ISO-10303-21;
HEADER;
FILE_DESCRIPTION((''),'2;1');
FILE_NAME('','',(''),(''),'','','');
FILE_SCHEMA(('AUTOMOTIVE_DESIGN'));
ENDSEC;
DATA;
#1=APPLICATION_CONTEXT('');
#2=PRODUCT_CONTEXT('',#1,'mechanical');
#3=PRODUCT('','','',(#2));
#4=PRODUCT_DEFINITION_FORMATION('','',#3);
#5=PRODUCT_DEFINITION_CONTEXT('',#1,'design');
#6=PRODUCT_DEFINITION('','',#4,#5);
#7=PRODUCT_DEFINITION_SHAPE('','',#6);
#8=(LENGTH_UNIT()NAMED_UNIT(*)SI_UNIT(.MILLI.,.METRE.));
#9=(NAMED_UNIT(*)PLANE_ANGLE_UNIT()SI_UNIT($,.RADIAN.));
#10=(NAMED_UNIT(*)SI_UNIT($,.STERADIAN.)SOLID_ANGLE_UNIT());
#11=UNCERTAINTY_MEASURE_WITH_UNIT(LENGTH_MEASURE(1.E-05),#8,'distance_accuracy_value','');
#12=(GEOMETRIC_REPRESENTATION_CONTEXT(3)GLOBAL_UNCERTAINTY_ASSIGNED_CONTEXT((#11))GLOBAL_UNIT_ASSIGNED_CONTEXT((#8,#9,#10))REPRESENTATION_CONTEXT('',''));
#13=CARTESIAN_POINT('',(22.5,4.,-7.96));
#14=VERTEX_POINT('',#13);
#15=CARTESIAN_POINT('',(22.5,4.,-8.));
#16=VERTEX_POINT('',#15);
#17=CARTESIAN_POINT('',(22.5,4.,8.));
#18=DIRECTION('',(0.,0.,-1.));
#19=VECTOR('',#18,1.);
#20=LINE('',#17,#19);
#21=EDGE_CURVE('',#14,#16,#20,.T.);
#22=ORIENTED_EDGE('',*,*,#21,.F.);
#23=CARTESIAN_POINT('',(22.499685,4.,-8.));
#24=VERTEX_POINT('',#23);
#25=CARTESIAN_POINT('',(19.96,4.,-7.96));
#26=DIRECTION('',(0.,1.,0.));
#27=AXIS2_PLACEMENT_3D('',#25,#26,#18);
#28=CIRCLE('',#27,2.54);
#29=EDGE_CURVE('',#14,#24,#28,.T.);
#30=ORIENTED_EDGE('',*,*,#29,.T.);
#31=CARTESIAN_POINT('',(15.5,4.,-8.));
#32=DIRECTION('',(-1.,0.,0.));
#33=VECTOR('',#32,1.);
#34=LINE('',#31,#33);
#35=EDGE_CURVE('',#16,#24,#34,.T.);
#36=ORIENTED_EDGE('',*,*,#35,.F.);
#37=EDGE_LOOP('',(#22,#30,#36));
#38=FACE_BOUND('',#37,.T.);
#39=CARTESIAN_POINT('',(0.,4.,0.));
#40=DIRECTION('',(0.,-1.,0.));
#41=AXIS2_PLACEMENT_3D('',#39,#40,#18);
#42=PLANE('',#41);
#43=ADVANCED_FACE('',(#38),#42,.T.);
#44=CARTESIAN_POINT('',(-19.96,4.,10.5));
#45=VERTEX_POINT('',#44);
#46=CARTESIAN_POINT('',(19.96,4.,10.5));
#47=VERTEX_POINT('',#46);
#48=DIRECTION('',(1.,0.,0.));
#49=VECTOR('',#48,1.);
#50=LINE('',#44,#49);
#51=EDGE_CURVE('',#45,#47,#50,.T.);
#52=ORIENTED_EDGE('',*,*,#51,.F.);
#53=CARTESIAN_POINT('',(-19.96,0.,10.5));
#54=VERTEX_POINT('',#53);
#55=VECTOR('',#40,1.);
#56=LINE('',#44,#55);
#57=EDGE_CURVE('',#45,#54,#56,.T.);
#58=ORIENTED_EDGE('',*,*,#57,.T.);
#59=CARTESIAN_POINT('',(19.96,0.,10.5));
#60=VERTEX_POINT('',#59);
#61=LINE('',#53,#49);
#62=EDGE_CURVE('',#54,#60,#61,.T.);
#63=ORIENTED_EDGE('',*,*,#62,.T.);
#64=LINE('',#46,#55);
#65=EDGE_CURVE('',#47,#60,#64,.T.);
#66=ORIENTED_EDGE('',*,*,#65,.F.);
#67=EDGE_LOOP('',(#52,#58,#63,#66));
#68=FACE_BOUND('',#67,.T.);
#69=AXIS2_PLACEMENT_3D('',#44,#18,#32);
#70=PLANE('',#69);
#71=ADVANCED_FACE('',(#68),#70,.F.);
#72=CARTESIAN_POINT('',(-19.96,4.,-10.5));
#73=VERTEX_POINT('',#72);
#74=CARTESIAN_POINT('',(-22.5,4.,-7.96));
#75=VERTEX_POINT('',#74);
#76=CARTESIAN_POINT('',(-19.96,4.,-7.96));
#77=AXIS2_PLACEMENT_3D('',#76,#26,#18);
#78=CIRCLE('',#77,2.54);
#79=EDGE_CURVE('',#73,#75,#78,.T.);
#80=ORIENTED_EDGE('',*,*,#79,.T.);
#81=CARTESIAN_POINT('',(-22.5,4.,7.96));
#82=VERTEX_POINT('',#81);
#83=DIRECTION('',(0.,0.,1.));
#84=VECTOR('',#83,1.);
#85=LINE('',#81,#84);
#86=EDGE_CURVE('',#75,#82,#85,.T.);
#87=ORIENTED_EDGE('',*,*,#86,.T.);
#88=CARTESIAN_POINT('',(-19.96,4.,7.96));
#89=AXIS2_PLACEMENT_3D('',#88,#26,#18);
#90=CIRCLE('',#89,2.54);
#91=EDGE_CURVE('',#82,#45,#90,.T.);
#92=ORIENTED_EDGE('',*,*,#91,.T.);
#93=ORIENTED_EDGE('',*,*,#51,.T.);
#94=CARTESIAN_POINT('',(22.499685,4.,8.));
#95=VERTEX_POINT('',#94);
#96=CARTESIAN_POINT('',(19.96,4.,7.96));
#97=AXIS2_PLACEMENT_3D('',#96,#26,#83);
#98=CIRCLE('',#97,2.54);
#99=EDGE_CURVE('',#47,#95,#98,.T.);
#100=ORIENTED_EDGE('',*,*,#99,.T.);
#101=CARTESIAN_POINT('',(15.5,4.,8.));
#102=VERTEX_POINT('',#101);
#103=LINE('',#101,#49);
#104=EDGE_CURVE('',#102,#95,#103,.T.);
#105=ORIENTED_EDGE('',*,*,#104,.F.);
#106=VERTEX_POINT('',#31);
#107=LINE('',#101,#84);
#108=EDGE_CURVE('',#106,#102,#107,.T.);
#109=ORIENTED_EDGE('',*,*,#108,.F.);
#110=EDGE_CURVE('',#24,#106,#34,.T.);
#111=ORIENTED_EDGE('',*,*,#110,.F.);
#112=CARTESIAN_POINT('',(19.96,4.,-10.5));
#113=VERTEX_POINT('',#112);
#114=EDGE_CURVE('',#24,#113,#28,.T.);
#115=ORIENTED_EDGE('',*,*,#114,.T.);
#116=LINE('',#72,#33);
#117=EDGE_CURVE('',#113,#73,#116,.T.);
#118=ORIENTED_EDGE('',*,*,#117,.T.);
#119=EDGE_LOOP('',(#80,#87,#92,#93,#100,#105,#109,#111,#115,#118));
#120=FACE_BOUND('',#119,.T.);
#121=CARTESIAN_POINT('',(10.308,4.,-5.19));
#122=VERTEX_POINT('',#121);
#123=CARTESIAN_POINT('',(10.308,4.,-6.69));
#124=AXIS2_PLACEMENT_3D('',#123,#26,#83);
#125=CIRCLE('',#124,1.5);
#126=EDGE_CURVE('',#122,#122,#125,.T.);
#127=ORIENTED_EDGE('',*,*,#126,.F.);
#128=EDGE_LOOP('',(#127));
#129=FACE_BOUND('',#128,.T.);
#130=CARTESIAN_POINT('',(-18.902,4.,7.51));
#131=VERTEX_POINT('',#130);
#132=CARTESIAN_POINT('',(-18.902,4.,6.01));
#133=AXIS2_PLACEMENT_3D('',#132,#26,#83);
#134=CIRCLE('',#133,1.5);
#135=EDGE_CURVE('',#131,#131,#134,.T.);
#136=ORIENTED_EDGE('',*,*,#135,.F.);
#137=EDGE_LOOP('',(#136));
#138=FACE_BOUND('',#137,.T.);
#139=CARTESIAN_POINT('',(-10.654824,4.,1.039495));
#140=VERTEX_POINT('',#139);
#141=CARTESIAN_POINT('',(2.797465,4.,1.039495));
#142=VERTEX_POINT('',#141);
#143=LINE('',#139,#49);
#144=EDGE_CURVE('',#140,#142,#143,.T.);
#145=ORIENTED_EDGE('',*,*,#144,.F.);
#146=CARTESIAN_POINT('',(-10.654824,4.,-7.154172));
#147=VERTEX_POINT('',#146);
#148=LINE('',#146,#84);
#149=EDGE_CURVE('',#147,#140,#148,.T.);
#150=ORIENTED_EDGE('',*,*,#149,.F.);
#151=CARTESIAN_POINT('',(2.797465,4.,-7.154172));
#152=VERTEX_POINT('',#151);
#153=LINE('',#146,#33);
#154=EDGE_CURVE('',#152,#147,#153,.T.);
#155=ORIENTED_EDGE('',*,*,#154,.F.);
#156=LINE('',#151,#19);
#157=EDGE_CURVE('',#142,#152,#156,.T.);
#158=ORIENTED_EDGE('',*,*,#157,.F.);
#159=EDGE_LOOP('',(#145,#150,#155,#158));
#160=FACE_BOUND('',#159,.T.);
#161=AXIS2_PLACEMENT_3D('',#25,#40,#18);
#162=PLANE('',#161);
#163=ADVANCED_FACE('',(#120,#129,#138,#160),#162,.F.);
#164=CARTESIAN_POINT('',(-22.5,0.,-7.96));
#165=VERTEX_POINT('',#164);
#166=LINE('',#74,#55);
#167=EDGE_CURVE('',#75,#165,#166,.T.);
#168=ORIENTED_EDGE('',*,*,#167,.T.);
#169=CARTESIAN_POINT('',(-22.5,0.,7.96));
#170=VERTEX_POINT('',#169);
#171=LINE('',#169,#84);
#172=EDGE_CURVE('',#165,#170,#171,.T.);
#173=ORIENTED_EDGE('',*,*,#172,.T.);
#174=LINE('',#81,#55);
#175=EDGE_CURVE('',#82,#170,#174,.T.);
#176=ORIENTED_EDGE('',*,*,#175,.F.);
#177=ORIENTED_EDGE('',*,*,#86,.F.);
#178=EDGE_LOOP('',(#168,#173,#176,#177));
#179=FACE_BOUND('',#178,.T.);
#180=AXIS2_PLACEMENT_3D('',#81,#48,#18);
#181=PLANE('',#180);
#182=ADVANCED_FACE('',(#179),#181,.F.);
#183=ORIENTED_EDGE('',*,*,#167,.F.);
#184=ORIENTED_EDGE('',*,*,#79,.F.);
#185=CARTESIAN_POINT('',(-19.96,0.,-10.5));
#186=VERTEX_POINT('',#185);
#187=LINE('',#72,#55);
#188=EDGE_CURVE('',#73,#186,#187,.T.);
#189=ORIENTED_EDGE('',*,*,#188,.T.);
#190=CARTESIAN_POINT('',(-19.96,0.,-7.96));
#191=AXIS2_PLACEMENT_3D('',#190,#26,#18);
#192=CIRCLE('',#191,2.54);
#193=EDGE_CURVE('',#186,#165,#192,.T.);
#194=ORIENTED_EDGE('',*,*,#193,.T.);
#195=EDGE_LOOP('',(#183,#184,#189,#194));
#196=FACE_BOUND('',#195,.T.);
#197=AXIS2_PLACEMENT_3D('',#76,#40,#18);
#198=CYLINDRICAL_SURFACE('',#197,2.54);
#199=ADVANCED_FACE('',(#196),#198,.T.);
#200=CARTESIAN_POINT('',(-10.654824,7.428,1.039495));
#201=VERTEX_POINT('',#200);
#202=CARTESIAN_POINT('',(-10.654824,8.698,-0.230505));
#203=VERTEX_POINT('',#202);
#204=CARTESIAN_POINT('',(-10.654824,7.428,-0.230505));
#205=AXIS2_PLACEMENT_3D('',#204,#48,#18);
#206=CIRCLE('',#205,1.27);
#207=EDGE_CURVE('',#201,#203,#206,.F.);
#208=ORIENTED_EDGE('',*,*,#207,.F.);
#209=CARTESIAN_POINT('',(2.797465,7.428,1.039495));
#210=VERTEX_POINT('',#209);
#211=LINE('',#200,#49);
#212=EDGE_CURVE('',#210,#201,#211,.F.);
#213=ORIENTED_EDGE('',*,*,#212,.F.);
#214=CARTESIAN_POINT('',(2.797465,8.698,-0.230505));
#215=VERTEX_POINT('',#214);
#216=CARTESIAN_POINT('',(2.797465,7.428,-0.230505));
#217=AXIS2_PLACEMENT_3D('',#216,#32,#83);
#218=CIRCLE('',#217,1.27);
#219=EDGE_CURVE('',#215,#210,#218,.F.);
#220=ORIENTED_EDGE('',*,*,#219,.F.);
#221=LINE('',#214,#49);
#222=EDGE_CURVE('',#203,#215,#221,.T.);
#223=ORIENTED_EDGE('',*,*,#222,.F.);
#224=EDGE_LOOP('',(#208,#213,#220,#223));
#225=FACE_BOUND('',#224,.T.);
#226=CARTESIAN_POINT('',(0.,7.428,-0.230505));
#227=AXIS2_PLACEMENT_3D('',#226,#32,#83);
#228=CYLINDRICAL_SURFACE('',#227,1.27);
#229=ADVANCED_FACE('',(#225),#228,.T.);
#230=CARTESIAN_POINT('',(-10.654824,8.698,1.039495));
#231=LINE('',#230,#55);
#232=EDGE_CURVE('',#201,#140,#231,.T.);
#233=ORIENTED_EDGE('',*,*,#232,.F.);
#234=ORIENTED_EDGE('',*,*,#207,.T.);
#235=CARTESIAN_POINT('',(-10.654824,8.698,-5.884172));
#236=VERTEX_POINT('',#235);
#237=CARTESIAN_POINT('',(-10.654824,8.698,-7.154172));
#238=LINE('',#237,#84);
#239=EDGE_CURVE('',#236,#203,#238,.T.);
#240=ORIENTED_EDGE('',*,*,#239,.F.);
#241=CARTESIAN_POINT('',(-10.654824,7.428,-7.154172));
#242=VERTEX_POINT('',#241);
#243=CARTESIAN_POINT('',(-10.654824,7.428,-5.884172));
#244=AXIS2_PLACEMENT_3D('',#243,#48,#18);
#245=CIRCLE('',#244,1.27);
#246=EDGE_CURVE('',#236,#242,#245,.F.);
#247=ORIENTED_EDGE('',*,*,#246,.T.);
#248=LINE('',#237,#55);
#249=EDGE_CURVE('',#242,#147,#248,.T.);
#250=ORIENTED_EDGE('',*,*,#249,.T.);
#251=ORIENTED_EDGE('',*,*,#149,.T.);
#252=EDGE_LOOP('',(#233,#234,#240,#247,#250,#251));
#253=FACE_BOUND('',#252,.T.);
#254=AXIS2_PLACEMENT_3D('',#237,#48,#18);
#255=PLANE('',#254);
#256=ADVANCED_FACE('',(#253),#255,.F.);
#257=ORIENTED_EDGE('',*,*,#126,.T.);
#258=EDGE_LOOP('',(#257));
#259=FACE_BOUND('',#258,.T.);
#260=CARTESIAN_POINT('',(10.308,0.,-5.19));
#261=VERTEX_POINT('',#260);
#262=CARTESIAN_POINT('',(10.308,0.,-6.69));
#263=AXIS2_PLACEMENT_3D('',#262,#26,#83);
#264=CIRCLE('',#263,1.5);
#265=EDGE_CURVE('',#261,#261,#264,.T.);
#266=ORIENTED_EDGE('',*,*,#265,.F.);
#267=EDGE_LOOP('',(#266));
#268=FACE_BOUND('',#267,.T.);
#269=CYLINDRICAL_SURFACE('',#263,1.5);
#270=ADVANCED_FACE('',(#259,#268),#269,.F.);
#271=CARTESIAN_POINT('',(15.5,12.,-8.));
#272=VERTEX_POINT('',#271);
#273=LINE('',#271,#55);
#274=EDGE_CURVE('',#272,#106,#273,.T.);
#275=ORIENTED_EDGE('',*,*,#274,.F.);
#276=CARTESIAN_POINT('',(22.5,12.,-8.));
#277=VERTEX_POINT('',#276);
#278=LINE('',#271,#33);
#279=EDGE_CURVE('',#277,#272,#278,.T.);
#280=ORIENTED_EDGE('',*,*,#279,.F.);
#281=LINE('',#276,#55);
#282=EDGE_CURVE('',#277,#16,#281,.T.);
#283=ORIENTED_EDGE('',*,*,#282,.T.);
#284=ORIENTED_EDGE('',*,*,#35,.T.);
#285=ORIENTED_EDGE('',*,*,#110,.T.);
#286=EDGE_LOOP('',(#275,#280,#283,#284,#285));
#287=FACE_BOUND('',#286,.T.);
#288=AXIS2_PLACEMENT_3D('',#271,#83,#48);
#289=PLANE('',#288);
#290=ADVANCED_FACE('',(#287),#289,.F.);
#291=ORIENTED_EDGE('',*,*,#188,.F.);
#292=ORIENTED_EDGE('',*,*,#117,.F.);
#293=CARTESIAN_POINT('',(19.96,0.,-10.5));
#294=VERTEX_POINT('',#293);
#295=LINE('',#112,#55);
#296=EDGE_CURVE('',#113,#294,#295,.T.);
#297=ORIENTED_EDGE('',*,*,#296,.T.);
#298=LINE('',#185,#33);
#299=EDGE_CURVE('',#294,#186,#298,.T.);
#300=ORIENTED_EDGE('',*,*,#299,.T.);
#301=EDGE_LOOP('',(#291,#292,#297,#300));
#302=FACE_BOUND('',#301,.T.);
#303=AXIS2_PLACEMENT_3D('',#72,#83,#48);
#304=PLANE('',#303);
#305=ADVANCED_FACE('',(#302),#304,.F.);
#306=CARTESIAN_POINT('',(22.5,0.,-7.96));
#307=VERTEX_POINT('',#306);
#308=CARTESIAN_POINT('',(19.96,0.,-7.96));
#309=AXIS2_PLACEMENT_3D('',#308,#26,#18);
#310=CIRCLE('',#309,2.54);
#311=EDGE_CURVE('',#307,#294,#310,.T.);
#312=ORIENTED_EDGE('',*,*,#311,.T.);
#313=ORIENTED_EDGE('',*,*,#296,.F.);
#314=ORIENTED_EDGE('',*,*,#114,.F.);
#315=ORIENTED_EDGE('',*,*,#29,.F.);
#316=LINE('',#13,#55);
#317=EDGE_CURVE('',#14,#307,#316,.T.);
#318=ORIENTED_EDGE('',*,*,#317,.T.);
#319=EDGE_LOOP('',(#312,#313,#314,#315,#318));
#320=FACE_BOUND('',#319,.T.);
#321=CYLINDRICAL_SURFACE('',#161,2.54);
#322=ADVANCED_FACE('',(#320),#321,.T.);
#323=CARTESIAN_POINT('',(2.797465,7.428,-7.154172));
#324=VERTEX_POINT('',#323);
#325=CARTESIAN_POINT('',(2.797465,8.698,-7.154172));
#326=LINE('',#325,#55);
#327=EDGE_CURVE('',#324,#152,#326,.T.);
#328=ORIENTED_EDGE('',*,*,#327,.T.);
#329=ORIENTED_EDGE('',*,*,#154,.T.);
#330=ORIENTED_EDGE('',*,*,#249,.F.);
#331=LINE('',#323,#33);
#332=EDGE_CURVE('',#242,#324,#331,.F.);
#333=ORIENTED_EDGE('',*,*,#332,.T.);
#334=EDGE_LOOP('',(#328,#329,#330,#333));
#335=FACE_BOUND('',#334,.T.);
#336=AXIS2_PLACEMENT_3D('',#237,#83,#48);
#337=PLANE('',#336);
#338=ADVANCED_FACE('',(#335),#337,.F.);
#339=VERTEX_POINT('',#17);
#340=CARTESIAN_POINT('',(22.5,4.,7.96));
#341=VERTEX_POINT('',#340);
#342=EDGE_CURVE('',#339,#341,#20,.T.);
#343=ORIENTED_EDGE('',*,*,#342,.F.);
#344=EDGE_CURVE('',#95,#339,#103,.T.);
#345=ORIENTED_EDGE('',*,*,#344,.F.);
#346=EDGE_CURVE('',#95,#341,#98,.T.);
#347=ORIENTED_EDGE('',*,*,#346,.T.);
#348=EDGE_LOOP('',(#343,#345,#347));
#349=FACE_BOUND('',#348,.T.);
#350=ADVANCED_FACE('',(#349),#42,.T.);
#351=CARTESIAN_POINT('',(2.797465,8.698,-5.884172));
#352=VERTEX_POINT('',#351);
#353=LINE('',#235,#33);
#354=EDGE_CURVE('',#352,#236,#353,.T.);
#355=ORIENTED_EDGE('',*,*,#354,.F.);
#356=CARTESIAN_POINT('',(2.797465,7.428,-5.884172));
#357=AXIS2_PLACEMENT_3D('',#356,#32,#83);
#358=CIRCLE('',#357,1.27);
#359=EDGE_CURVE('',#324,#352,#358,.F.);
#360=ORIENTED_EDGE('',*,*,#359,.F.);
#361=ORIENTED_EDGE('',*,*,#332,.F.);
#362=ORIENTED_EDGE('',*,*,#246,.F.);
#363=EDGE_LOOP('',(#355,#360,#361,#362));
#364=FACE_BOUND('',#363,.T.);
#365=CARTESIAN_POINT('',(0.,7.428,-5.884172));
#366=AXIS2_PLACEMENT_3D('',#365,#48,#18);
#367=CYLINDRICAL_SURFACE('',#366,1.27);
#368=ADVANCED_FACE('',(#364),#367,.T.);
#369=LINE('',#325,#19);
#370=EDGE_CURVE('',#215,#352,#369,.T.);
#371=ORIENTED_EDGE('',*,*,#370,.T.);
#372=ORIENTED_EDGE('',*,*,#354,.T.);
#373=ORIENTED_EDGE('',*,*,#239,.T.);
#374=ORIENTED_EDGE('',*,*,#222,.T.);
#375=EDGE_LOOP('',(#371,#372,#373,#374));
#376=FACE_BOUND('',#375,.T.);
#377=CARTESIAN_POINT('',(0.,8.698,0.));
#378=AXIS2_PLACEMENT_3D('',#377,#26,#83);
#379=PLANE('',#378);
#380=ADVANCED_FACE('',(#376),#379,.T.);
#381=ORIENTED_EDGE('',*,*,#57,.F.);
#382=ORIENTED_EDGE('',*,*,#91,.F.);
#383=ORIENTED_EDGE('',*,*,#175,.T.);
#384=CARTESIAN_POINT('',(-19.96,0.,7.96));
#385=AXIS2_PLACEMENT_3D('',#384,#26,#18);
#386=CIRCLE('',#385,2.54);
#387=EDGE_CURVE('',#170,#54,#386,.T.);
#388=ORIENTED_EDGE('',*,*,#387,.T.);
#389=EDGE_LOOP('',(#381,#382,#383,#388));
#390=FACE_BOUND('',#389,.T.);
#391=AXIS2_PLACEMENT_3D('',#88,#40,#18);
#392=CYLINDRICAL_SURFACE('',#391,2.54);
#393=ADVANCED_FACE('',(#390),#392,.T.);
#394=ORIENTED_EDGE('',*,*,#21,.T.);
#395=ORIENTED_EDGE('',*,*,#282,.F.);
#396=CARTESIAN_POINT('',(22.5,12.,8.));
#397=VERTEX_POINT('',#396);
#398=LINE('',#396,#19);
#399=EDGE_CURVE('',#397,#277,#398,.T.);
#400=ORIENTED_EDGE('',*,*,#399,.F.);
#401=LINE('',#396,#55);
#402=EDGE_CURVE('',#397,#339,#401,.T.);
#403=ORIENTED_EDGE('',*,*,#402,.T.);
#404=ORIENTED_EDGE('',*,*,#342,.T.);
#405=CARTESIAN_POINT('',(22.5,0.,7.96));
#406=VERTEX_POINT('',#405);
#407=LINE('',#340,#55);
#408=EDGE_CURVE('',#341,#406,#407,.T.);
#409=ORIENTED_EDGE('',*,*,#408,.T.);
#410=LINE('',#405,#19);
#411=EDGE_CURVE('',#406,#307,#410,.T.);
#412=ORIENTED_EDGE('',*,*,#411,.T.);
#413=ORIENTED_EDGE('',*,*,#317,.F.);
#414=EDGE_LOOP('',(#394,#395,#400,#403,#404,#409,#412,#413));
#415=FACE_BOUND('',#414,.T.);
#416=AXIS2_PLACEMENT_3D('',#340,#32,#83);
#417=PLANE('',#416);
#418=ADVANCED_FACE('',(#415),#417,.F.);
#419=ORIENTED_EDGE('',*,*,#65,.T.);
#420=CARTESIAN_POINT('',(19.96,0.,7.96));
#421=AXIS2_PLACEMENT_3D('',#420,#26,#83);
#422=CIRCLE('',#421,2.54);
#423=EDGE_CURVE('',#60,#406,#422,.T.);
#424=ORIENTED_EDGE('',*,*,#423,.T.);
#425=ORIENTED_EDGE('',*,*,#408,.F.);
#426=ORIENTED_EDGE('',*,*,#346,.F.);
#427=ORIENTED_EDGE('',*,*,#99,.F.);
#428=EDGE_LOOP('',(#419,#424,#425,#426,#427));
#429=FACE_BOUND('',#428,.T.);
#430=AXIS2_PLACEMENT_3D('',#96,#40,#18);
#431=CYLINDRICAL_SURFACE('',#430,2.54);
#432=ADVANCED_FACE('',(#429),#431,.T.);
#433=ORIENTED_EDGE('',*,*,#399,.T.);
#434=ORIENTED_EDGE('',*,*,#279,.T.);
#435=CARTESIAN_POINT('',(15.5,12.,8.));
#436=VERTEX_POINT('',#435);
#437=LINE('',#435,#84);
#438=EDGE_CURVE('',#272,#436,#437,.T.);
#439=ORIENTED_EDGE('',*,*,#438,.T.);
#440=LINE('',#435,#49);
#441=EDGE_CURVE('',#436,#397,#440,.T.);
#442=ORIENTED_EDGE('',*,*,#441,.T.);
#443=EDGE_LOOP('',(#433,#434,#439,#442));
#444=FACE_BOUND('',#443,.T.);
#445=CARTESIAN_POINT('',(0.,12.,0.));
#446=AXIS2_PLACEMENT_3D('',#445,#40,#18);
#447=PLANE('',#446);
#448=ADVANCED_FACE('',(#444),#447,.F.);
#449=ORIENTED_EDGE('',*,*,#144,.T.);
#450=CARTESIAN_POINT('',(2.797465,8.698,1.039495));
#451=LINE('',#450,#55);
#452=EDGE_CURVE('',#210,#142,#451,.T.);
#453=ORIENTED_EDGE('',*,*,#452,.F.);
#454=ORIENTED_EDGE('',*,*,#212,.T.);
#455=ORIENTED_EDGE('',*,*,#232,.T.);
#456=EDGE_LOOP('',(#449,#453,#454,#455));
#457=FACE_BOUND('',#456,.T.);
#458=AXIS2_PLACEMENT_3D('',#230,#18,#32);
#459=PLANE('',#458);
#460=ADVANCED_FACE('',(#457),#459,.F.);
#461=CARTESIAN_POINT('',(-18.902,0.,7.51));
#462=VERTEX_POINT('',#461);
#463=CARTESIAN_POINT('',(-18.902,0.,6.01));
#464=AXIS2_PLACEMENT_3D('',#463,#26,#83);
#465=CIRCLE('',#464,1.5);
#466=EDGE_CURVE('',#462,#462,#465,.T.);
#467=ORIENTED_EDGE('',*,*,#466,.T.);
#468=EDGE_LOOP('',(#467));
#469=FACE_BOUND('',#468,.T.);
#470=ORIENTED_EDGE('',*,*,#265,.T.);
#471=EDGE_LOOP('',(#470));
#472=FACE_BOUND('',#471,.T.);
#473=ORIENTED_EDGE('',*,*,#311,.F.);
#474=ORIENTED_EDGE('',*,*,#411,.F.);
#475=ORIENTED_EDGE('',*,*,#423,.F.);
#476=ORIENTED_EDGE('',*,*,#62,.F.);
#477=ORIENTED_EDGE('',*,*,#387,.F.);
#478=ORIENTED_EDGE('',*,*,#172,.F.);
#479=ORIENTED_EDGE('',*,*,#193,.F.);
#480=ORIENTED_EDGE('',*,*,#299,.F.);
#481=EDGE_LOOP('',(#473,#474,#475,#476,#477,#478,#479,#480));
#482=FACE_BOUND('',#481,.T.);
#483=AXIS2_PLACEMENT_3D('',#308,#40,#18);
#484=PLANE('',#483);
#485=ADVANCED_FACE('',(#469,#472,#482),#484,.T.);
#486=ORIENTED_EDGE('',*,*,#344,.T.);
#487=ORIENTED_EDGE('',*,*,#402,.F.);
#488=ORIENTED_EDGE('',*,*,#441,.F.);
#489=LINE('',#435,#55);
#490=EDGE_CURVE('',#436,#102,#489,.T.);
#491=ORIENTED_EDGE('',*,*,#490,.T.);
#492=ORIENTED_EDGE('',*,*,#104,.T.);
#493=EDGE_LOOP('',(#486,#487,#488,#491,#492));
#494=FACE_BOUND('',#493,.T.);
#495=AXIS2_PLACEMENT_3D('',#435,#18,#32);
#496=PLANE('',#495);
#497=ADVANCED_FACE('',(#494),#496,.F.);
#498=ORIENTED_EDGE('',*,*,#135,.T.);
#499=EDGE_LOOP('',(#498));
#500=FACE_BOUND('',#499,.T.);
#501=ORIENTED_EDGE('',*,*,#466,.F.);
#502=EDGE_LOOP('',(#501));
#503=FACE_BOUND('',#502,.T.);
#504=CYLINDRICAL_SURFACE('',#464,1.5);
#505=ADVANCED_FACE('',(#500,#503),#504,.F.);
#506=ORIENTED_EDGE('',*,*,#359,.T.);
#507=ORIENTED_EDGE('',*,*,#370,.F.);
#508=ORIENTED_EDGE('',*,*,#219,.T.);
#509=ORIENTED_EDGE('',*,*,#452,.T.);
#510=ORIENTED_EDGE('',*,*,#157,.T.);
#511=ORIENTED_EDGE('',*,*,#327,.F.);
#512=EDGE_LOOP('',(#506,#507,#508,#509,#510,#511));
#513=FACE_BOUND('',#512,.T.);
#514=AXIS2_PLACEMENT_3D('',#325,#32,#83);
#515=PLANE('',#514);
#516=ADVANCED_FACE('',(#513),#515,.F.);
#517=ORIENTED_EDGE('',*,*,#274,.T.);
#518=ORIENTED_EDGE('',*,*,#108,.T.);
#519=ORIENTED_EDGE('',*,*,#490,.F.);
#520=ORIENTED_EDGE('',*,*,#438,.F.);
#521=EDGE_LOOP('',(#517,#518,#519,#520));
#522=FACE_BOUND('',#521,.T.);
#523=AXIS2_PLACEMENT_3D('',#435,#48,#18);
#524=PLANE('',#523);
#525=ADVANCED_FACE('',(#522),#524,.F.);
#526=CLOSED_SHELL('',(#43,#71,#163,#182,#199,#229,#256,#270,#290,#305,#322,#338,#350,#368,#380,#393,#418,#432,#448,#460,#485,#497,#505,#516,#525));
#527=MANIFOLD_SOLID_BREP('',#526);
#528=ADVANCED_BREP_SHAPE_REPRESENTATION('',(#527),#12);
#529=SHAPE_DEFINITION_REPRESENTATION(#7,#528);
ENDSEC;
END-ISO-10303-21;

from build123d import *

# Parameters (mm, degrees)
BOSS_EXTRUDE1_DEPTH = 4
SKETCH2_W           = 7
SKETCH2_H           = 16
BOSS_EXTRUDE2_DEPTH = 8
SKETCH3_W           = 13.452288764
SKETCH3_H           = 8.193666793
BOSS_EXTRUDE3_DEPTH = 4.698
FILLET1_R           = 1.27
SKETCH4_R           = 1.5
CUT_EXTRUDE1_DEPTH  = 5


with BuildPart() as part:
    # Sketch1 → Boss-Extrude1 (new body)
    with BuildSketch(Plane(origin=(0, 0, 0), x_dir=(1, 0, 0), z_dir=(0, 1, 0))):
        with BuildLine():
            Line((-19.96, -10.5), (19.96, -10.5))
            ThreePointArc((19.96, -10.5), (21.756051224, -9.756051224), (22.5, -7.96))
            Line((22.5, -7.96), (22.5, 7.96))
            ThreePointArc((22.5, 7.96), (21.756051224, 9.756051224), (19.96, 10.5))
            Line((19.96, 10.5), (-19.96, 10.5))
            ThreePointArc((-19.96, 10.5), (-21.756051224, 9.756051224), (-22.5, 7.96))
            Line((-22.5, 7.96), (-22.5, -7.96))
            ThreePointArc((-22.5, -7.96), (-21.756051224, -9.756051224), (-19.96, -10.5))
        make_face()
    extrude(amount=BOSS_EXTRUDE1_DEPTH)

    # Sketch2 → Boss-Extrude2 (add)
    with BuildSketch(Plane(origin=(0, 4, 0), x_dir=(1, 0, 0), z_dir=(0, 1, 0))):
        with Locations((19, 0)):
            Rectangle(SKETCH2_W, SKETCH2_H)
    extrude(amount=BOSS_EXTRUDE2_DEPTH)

    # Sketch3 → Boss-Extrude3 (add)
    with BuildSketch(Plane(origin=(0, 4, 0), x_dir=(1, 0, 0), z_dir=(0, 1, 0))):
        with Locations((-3.928679787, 3.057338356)):
            Rectangle(SKETCH3_W, SKETCH3_H)
    extrude(amount=BOSS_EXTRUDE3_DEPTH)

    # Fillet1
    fillet1_edges = [part.edges().sort_by_distance(p)[0] for p in [
        (-3.928679787, 8.698, 1.039495041),
        (-3.928679787, 8.698, -7.154171752),
    ]]
    fillet(fillet1_edges, radius=FILLET1_R)

    # Sketch4 → Cut-Extrude1 (cut, through all)
    with BuildSketch(Plane(origin=(0, 4, 0), x_dir=(1, 0, 0), z_dir=(0, 1, 0))):
        with Locations((-18.902, -6.01)):
            Circle(SKETCH4_R)
        with Locations((10.308, 6.69)):
            Circle(SKETCH4_R)
    extrude(amount=-CUT_EXTRUDE1_DEPTH, mode=Mode.SUBTRACT)


solid = part.part
